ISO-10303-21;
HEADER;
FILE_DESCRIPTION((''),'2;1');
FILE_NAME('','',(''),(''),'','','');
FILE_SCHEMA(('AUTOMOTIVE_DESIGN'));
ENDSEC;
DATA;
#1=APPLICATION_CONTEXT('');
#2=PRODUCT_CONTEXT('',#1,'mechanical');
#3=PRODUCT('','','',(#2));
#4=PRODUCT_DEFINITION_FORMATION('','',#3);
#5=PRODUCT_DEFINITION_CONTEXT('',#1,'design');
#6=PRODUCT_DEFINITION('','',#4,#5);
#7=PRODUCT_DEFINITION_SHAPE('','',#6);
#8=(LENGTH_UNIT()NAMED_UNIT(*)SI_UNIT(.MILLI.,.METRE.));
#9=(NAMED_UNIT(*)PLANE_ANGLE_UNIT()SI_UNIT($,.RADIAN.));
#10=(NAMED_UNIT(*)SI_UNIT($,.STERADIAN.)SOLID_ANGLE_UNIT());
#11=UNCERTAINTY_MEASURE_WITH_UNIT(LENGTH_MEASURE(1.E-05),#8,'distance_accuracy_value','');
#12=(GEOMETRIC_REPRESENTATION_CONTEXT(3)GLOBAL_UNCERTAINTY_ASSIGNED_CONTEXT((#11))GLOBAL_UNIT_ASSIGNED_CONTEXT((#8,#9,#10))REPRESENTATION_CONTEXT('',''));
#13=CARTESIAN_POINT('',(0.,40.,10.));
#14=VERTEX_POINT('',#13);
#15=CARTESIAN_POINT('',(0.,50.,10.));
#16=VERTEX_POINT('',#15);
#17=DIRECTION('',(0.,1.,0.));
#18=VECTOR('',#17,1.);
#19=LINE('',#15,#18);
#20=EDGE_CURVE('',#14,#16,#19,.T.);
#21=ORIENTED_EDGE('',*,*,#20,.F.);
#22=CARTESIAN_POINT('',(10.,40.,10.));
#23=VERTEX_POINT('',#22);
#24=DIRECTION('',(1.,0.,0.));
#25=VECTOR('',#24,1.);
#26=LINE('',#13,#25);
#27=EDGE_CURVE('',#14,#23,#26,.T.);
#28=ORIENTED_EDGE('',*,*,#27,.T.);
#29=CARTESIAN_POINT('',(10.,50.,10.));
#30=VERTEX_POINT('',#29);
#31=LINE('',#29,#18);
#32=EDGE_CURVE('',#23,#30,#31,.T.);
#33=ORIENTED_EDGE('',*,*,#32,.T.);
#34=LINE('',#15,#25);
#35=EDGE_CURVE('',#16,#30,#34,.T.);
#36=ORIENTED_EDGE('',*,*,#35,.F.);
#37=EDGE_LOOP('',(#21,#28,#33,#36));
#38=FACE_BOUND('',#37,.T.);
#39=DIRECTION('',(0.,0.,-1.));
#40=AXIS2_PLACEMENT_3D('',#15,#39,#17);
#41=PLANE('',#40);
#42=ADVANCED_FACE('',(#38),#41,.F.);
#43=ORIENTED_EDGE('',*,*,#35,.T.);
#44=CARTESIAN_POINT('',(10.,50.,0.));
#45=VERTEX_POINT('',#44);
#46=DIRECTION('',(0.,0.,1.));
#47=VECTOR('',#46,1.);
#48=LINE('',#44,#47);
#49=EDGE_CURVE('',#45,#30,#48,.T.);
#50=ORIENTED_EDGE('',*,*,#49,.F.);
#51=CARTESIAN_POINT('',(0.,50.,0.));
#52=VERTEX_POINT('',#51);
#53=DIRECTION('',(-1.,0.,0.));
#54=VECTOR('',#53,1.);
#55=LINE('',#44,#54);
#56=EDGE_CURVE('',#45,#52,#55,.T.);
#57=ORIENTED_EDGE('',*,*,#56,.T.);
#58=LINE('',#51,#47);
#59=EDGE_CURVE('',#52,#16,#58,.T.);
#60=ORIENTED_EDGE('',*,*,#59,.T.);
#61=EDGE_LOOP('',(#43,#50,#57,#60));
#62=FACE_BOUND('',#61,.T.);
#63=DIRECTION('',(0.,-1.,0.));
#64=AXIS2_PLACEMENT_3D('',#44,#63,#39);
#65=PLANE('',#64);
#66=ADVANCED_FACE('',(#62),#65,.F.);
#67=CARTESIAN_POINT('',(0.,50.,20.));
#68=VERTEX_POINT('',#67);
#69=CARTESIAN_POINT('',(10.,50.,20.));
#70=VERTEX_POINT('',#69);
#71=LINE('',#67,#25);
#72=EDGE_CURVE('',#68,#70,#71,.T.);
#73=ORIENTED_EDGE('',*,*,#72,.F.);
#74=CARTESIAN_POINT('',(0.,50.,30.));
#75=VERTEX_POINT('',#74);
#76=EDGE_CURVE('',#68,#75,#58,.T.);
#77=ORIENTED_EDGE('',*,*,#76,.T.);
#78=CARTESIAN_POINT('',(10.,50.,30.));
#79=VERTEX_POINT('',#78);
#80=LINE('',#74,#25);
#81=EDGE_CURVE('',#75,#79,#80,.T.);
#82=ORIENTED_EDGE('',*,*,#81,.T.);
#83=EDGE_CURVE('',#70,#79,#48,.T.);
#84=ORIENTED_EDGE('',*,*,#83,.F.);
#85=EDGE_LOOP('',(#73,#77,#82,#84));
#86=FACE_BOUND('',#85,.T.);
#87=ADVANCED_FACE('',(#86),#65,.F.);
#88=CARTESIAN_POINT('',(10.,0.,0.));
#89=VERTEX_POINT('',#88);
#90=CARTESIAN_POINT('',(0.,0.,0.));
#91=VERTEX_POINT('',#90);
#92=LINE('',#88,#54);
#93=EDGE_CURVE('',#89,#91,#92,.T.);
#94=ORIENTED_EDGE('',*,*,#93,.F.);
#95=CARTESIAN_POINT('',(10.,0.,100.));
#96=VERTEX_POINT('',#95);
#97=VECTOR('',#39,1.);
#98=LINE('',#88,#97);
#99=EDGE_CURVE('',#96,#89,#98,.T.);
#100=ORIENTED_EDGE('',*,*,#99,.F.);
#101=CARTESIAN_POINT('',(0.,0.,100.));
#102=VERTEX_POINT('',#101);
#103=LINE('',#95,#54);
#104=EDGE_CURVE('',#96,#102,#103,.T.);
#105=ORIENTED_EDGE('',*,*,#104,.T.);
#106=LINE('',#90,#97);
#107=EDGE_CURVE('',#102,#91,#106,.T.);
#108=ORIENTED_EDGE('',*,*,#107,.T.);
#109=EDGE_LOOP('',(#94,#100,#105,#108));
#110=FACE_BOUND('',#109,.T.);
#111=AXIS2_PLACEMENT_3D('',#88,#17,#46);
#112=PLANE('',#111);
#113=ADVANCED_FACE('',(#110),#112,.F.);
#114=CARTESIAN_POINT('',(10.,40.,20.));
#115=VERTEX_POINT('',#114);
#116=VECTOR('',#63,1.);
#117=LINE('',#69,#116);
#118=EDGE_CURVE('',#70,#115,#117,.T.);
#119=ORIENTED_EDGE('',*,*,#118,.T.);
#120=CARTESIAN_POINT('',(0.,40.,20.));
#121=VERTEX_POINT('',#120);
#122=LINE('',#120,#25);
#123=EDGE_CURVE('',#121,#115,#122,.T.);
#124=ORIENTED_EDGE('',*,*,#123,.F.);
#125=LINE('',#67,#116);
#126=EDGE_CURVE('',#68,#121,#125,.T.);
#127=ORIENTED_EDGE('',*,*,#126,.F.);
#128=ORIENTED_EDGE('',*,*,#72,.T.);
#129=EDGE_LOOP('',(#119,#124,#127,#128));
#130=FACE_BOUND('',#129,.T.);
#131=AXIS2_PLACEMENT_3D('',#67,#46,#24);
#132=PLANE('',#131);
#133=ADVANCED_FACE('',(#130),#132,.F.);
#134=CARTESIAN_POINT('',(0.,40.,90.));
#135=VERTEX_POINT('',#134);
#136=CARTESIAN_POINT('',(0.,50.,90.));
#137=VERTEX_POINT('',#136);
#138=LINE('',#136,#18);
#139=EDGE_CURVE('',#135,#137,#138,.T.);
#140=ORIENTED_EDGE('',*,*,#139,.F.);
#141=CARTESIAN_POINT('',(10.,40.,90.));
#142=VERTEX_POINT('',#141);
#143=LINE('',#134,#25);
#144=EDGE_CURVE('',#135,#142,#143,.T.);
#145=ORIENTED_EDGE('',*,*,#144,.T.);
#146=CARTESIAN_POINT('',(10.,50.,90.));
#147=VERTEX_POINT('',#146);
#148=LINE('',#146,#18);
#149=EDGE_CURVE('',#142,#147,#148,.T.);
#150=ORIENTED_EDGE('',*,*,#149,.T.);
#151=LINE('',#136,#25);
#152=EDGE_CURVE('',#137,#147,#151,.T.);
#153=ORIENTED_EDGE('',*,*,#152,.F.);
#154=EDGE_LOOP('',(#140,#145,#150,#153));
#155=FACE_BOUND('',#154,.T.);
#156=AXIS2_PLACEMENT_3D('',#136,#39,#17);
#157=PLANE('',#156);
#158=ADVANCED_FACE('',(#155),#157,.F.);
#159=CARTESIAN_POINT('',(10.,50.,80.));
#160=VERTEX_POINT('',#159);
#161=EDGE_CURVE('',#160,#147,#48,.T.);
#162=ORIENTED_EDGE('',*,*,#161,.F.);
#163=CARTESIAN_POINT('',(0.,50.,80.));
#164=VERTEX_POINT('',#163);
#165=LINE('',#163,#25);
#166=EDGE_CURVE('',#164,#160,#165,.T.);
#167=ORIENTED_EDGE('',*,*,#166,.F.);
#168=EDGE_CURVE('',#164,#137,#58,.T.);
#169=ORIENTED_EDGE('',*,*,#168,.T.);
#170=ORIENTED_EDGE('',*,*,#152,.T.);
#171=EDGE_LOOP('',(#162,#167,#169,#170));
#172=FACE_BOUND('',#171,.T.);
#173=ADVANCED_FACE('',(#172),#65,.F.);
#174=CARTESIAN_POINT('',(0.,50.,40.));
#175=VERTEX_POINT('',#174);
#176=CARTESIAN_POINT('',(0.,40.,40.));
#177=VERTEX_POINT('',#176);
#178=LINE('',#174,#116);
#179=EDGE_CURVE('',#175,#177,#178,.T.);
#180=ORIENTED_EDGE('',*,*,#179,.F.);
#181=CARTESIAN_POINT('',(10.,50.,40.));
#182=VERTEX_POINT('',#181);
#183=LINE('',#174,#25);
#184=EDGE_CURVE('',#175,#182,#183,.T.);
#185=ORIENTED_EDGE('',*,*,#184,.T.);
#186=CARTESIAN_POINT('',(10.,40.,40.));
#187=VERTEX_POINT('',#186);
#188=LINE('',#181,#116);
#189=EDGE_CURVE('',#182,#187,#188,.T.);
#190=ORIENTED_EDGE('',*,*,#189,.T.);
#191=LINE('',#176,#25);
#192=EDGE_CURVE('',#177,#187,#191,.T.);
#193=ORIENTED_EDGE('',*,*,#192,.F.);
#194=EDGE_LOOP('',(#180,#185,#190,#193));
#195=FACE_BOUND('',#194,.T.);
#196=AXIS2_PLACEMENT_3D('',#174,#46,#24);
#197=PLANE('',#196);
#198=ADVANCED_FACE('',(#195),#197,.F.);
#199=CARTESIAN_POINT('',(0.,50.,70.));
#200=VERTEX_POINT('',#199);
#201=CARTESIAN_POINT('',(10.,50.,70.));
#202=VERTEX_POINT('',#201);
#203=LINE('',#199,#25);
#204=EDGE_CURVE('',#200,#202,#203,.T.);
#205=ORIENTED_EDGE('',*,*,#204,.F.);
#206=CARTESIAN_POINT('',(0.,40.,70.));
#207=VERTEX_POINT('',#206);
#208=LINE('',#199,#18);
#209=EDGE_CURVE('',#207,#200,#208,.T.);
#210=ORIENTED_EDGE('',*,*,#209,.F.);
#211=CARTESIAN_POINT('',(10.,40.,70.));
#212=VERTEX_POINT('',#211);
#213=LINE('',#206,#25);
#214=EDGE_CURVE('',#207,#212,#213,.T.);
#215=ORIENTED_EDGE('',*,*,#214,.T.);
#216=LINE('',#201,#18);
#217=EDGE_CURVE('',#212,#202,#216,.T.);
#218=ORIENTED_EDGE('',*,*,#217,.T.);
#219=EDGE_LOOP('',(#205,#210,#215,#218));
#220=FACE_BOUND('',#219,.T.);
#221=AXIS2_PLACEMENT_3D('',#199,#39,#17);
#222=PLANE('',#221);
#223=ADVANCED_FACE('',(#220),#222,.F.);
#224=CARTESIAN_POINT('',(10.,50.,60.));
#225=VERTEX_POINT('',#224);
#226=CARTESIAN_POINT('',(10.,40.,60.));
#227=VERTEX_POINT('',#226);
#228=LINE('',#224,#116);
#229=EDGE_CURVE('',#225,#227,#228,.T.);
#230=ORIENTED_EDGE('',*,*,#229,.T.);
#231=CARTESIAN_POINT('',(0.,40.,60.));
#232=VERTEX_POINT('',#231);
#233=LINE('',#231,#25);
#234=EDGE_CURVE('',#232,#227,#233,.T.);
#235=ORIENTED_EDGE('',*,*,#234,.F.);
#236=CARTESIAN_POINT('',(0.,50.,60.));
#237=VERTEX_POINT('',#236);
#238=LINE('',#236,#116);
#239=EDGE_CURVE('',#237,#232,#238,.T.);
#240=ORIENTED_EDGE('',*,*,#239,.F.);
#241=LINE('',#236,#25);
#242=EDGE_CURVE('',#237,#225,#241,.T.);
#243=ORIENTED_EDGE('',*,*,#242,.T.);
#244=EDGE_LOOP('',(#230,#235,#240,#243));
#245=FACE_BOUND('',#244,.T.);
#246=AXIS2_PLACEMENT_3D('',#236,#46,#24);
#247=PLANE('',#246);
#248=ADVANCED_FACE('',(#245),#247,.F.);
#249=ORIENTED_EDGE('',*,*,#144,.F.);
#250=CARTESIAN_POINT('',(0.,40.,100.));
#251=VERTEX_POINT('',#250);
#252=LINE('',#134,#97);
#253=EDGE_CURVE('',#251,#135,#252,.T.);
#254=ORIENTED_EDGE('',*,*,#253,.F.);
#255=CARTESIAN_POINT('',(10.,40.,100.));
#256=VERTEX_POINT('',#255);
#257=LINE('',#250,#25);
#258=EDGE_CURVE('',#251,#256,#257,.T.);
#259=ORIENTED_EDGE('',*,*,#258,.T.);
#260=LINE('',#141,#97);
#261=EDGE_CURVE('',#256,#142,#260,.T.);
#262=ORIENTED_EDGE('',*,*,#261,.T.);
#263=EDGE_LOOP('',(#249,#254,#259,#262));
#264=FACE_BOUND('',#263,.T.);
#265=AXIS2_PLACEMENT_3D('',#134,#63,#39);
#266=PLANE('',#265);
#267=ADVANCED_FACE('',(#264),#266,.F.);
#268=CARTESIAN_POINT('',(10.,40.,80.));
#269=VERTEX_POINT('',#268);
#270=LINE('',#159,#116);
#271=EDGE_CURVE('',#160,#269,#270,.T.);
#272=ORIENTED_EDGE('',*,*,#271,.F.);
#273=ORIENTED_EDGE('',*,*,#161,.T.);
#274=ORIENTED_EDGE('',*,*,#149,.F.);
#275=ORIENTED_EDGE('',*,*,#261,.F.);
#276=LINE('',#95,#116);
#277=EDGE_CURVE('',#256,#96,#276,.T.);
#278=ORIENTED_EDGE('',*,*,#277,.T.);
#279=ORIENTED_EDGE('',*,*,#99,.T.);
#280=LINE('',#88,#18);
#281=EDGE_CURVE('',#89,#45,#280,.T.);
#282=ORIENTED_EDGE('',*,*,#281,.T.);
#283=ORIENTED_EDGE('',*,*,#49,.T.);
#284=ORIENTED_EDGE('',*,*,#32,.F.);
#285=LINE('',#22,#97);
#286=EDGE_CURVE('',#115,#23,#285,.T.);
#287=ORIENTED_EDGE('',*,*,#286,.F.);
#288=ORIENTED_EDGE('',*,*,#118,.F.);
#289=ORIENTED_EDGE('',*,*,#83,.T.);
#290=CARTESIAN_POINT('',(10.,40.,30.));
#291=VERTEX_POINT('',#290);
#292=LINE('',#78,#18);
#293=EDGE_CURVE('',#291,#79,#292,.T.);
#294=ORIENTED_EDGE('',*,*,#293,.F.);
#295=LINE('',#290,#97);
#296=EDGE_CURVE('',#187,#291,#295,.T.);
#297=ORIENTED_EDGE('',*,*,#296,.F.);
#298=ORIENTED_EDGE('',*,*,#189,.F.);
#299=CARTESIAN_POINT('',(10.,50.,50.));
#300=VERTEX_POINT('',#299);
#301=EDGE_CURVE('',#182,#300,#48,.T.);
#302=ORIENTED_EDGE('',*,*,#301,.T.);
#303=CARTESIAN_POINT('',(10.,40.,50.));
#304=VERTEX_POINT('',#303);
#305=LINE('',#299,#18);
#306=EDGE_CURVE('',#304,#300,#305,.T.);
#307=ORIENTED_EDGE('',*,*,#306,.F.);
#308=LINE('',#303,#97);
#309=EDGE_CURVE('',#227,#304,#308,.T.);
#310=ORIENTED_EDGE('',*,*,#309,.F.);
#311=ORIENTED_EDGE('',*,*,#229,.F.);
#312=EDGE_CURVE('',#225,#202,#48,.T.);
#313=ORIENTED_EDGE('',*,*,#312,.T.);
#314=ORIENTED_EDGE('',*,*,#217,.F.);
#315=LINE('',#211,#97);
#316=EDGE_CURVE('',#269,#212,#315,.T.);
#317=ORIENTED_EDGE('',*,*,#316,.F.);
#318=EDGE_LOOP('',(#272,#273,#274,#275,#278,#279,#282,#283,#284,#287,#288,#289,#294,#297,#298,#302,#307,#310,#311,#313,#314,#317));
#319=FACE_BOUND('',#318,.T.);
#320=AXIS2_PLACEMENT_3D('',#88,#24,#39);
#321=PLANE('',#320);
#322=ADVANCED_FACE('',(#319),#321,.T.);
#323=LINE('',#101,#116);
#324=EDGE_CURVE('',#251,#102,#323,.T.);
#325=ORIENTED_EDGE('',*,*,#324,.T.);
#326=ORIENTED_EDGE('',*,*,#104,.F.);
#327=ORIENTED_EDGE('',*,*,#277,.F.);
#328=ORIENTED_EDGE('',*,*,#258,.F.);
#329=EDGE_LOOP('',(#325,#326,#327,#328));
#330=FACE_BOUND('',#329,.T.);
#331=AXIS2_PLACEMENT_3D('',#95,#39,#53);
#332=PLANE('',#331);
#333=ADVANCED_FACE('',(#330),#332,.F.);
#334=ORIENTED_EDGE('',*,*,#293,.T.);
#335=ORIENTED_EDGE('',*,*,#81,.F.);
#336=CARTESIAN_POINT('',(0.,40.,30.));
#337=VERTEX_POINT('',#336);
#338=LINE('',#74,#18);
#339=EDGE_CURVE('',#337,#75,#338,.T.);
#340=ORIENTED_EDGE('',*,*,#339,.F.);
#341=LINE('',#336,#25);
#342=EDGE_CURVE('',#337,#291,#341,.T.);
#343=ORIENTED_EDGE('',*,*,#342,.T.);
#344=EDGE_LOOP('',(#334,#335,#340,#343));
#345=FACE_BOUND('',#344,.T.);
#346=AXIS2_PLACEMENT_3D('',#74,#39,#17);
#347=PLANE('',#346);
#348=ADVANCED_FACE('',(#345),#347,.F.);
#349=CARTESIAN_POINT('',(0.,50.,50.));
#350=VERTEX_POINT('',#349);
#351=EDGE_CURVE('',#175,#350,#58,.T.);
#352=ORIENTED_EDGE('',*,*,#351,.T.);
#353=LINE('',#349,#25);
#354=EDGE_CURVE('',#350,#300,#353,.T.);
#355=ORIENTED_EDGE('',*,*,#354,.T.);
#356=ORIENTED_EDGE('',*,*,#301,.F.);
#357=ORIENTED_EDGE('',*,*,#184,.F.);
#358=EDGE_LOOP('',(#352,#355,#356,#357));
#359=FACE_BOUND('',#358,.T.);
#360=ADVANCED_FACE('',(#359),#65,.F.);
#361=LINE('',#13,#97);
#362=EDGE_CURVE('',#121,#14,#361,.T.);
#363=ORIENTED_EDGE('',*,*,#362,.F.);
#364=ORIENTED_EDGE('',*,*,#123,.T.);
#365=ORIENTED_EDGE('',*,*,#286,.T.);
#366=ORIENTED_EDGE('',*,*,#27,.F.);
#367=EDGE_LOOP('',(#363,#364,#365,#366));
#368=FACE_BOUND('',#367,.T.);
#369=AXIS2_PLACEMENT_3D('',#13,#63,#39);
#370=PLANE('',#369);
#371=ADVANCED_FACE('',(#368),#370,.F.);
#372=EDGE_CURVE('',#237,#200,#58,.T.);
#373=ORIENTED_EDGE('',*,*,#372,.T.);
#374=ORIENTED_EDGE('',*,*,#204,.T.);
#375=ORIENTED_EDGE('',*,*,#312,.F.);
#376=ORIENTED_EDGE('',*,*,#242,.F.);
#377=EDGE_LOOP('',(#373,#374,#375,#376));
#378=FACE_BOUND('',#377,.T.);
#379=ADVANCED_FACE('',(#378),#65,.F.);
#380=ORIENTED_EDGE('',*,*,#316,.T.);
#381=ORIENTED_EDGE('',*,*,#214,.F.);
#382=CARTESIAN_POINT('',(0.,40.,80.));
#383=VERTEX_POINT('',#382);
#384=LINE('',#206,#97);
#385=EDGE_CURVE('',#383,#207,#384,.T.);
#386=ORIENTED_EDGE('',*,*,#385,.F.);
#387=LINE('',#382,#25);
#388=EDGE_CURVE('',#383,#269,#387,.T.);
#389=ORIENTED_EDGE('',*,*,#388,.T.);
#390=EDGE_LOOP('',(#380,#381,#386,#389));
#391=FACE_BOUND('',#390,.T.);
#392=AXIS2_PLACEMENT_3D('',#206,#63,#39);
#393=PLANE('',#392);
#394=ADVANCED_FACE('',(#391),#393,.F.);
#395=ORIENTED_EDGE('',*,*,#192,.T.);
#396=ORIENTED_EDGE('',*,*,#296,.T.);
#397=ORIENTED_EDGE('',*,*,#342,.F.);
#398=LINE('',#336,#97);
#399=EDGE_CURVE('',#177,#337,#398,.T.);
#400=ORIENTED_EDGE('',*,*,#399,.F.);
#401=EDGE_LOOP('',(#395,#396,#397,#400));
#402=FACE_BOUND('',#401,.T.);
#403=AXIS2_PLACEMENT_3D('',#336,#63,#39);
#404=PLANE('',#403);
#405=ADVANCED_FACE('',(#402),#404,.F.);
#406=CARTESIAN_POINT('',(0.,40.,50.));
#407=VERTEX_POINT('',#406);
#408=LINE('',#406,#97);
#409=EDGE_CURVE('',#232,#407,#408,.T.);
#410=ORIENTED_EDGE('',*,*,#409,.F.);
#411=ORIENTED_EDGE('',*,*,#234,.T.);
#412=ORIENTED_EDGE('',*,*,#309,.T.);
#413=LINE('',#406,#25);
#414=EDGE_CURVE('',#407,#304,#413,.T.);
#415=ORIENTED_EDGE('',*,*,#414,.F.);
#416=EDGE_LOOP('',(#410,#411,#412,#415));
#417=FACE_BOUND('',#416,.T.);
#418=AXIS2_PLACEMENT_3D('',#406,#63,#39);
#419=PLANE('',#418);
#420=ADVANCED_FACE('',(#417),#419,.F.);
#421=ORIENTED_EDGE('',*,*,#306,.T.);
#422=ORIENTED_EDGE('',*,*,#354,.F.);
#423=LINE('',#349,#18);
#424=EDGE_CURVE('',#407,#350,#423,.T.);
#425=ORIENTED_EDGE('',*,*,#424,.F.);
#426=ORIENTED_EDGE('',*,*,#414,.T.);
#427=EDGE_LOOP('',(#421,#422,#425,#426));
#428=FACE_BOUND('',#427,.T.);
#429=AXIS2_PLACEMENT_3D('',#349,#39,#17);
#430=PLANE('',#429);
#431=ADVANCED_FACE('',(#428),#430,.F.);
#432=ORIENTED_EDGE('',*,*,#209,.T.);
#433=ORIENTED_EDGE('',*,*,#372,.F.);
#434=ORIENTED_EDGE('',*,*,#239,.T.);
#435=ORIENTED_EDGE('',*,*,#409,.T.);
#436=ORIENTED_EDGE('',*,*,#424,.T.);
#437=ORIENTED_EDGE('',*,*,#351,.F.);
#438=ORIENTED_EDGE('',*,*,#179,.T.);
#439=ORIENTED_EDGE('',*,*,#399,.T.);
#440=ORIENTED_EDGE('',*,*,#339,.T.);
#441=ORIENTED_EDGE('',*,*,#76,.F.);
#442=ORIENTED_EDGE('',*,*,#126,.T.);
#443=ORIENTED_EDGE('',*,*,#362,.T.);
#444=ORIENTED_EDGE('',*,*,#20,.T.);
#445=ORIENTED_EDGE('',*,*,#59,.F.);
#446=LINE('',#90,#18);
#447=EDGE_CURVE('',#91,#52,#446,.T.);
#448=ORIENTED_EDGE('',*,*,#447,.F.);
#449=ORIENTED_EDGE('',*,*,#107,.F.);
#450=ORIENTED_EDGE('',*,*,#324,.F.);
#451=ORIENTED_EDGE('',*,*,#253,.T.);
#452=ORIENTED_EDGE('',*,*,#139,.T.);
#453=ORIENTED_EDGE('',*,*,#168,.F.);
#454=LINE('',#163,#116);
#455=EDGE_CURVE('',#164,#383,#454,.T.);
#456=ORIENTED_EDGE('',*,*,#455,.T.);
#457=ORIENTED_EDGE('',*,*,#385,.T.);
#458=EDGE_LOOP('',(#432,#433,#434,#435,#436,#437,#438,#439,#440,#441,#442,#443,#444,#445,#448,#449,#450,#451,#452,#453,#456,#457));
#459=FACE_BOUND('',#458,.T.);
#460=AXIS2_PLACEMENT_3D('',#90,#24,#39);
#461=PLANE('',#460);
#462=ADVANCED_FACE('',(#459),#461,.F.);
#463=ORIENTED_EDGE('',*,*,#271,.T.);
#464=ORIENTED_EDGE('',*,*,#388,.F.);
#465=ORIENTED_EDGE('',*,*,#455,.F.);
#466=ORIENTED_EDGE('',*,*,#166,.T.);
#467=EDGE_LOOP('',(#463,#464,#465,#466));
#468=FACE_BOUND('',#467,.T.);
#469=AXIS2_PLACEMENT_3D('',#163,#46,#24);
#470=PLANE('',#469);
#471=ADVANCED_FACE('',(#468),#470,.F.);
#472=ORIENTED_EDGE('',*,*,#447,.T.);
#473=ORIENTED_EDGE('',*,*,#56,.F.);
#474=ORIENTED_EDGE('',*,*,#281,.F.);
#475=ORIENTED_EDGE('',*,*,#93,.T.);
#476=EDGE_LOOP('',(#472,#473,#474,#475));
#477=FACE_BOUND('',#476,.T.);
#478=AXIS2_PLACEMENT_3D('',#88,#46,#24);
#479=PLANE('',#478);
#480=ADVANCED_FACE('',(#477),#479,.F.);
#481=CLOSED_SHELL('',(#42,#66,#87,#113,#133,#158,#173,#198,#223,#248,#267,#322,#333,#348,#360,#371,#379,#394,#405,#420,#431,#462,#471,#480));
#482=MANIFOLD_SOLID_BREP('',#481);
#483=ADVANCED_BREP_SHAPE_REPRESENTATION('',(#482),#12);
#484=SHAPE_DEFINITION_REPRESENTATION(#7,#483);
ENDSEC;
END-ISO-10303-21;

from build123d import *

# Parameters (mm, degrees)
ESQUISSE1_W                = 100
ESQUISSE1_H                = 50
BOSS_EXTRU_1_DEPTH         = 10
ESQUISSE2_W                = 10
ESQUISSE2_H                = 10
ENL_V_MAT_EXTRU_1_DEPTH    = 10
R_P_TITION_LIN_AIRE1_COUNT = 5
R_P_TITION_LIN_AIRE1_PITCH = 20


with BuildPart() as part:
    # Esquisse1 → Boss.-Extru.1 (new body)
    with BuildSketch(Plane(origin=(0, 0, 0), x_dir=(0, 0, -1), z_dir=(1, 0, 0))):
        with Locations((-50, 25)):
            Rectangle(ESQUISSE1_W, ESQUISSE1_H)
    extrude(amount=BOSS_EXTRU_1_DEPTH)

    # Esquisse2 → Enlèv. mat.-Extru.1 (cut)
    with BuildSketch(Plane(origin=(10, 0, 0), x_dir=(0, 0, -1), z_dir=(1, 0, 0))):
        with Locations((-15, 45)):
            Rectangle(ESQUISSE2_W, ESQUISSE2_H)
    enl_v_mat_extru_1 = extrude(amount=-ENL_V_MAT_EXTRU_1_DEPTH, mode=Mode.SUBTRACT)

    # Répétition linéaire1: Enlèv. mat.-Extru.1 ×5
    with Locations(*[(0, 0, i * R_P_TITION_LIN_AIRE1_PITCH) for i in range(1, R_P_TITION_LIN_AIRE1_COUNT)]):
        add(enl_v_mat_extru_1, mode=Mode.SUBTRACT)


solid = part.part
